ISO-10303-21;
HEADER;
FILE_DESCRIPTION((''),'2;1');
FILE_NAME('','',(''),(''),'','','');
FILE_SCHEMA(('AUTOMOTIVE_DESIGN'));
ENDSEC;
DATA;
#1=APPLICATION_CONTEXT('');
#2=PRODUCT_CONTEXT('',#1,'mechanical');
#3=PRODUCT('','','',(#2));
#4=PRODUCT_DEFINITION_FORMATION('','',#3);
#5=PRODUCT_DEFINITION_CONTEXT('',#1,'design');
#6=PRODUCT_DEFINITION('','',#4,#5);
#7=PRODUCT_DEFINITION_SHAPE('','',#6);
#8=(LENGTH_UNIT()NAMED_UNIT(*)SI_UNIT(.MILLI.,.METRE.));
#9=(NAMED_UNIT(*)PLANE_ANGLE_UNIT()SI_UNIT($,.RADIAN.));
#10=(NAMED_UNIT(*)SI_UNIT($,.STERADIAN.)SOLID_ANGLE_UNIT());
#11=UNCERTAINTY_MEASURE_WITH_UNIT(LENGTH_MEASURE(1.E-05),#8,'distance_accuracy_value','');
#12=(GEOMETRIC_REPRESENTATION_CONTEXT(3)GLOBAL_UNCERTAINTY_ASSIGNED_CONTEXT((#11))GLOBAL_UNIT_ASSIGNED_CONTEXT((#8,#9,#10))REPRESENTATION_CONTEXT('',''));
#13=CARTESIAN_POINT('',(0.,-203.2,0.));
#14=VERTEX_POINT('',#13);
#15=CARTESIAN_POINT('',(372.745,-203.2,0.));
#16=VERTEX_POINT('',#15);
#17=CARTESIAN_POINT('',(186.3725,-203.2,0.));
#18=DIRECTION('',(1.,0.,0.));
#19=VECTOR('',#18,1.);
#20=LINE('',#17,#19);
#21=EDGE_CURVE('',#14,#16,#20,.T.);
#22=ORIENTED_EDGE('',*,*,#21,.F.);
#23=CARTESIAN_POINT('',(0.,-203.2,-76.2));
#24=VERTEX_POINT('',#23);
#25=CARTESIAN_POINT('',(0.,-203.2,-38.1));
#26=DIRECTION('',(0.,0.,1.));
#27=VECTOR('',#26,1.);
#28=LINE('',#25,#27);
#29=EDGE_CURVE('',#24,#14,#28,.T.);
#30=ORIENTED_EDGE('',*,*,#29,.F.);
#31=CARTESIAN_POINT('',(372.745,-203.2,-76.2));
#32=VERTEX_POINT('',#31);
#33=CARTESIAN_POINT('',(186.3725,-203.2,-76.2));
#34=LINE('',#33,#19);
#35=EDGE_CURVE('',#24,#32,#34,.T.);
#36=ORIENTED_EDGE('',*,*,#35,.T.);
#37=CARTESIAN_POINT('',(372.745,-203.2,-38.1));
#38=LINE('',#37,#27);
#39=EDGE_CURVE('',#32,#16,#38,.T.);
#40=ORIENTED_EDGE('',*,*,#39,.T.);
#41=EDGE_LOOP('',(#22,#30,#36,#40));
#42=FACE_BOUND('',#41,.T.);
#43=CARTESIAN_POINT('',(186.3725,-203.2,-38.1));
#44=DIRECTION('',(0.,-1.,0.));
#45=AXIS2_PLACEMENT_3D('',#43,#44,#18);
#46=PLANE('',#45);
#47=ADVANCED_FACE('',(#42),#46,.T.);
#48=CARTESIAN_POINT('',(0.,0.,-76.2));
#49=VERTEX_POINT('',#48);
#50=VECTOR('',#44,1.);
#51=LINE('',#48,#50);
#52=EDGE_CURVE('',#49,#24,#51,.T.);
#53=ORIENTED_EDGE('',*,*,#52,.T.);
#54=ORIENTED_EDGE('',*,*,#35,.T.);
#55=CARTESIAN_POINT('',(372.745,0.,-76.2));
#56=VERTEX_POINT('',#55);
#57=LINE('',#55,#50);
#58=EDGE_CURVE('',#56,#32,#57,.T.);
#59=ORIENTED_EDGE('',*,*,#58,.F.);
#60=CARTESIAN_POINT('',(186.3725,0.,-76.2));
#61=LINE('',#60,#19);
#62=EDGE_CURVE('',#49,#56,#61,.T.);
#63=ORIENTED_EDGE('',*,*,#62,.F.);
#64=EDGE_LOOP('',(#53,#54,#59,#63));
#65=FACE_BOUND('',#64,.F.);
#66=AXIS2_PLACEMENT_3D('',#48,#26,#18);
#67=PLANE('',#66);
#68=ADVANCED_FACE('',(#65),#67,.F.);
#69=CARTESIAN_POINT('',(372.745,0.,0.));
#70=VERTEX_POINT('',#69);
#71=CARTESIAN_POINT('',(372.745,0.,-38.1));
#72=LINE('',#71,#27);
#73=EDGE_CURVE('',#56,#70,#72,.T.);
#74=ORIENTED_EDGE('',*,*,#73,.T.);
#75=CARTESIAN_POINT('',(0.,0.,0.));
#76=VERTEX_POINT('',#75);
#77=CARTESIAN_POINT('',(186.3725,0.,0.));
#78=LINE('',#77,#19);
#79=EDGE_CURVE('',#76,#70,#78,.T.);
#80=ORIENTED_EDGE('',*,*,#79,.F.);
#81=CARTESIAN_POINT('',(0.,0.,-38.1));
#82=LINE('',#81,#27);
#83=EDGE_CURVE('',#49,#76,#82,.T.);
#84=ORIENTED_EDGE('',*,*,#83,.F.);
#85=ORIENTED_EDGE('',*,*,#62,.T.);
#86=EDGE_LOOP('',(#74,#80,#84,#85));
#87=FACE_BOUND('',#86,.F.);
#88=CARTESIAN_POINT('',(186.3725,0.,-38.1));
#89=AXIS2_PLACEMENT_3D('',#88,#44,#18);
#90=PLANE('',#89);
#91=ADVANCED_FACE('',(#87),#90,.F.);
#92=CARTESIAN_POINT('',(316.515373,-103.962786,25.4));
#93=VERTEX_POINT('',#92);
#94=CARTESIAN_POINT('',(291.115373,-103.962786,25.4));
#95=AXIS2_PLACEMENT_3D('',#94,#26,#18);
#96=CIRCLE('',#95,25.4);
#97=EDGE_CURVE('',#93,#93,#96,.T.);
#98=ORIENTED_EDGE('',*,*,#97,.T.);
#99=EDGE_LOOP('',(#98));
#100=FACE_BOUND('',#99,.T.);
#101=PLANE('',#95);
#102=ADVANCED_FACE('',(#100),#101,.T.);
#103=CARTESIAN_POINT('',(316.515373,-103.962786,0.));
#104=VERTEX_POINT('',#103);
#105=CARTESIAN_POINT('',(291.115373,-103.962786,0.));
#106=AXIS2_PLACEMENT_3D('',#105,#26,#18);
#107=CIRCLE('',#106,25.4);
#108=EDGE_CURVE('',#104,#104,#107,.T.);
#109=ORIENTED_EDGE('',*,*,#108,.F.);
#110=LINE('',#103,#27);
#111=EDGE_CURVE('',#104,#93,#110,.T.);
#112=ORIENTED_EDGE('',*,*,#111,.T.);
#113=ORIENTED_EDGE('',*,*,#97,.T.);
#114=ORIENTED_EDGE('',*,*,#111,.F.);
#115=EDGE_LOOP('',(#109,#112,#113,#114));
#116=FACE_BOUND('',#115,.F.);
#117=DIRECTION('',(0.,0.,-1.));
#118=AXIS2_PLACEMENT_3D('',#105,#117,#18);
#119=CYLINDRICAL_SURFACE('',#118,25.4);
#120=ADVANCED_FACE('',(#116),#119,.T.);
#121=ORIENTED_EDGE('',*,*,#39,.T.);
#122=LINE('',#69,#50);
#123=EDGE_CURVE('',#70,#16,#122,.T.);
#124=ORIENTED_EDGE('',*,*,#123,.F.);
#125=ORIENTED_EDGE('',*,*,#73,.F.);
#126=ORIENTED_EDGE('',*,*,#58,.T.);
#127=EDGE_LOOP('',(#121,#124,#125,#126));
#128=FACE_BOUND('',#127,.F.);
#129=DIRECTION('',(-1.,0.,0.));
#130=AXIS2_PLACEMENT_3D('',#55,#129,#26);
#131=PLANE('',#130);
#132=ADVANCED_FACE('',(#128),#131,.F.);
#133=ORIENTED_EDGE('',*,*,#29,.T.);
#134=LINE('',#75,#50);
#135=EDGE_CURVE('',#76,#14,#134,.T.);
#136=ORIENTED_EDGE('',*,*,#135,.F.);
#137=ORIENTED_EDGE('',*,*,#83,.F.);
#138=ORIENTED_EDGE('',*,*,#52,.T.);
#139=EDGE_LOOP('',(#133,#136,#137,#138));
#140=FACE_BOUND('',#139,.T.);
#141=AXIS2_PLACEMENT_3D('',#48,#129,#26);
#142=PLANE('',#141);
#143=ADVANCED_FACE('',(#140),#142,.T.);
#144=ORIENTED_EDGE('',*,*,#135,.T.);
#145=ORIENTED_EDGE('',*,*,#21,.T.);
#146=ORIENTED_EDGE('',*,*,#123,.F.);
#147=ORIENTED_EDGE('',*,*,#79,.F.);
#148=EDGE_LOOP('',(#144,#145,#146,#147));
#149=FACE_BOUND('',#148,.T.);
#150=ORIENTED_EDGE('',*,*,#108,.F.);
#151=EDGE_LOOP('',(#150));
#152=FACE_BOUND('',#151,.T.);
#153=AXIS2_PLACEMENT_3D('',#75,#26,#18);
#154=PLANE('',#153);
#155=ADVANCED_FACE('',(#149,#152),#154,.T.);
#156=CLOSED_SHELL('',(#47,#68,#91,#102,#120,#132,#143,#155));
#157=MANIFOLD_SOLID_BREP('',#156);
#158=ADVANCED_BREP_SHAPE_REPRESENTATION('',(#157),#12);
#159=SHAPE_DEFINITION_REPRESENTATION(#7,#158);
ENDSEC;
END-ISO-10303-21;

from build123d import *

# Parameters (mm, degrees)
F0_W     = 372.745
F0_H     = 76.2
F1_DEPTH = 203.2
F2_R     = 25.4
F3_DEPTH = 25.4


with BuildPart() as f1:
    # F0 (on Front) → F1 (new body)
    with BuildSketch(Plane.XZ):
        with Locations((186.3725, -38.1)):
            Rectangle(F0_W, F0_H)
    extrude(amount=F1_DEPTH)

    # F2 (on face) → F3 (join)
    with BuildSketch(Plane.XY):
        with Locations((291.115373, -103.962786)):
            Circle(F2_R)
    extrude(amount=F3_DEPTH)


solid = f1.part
